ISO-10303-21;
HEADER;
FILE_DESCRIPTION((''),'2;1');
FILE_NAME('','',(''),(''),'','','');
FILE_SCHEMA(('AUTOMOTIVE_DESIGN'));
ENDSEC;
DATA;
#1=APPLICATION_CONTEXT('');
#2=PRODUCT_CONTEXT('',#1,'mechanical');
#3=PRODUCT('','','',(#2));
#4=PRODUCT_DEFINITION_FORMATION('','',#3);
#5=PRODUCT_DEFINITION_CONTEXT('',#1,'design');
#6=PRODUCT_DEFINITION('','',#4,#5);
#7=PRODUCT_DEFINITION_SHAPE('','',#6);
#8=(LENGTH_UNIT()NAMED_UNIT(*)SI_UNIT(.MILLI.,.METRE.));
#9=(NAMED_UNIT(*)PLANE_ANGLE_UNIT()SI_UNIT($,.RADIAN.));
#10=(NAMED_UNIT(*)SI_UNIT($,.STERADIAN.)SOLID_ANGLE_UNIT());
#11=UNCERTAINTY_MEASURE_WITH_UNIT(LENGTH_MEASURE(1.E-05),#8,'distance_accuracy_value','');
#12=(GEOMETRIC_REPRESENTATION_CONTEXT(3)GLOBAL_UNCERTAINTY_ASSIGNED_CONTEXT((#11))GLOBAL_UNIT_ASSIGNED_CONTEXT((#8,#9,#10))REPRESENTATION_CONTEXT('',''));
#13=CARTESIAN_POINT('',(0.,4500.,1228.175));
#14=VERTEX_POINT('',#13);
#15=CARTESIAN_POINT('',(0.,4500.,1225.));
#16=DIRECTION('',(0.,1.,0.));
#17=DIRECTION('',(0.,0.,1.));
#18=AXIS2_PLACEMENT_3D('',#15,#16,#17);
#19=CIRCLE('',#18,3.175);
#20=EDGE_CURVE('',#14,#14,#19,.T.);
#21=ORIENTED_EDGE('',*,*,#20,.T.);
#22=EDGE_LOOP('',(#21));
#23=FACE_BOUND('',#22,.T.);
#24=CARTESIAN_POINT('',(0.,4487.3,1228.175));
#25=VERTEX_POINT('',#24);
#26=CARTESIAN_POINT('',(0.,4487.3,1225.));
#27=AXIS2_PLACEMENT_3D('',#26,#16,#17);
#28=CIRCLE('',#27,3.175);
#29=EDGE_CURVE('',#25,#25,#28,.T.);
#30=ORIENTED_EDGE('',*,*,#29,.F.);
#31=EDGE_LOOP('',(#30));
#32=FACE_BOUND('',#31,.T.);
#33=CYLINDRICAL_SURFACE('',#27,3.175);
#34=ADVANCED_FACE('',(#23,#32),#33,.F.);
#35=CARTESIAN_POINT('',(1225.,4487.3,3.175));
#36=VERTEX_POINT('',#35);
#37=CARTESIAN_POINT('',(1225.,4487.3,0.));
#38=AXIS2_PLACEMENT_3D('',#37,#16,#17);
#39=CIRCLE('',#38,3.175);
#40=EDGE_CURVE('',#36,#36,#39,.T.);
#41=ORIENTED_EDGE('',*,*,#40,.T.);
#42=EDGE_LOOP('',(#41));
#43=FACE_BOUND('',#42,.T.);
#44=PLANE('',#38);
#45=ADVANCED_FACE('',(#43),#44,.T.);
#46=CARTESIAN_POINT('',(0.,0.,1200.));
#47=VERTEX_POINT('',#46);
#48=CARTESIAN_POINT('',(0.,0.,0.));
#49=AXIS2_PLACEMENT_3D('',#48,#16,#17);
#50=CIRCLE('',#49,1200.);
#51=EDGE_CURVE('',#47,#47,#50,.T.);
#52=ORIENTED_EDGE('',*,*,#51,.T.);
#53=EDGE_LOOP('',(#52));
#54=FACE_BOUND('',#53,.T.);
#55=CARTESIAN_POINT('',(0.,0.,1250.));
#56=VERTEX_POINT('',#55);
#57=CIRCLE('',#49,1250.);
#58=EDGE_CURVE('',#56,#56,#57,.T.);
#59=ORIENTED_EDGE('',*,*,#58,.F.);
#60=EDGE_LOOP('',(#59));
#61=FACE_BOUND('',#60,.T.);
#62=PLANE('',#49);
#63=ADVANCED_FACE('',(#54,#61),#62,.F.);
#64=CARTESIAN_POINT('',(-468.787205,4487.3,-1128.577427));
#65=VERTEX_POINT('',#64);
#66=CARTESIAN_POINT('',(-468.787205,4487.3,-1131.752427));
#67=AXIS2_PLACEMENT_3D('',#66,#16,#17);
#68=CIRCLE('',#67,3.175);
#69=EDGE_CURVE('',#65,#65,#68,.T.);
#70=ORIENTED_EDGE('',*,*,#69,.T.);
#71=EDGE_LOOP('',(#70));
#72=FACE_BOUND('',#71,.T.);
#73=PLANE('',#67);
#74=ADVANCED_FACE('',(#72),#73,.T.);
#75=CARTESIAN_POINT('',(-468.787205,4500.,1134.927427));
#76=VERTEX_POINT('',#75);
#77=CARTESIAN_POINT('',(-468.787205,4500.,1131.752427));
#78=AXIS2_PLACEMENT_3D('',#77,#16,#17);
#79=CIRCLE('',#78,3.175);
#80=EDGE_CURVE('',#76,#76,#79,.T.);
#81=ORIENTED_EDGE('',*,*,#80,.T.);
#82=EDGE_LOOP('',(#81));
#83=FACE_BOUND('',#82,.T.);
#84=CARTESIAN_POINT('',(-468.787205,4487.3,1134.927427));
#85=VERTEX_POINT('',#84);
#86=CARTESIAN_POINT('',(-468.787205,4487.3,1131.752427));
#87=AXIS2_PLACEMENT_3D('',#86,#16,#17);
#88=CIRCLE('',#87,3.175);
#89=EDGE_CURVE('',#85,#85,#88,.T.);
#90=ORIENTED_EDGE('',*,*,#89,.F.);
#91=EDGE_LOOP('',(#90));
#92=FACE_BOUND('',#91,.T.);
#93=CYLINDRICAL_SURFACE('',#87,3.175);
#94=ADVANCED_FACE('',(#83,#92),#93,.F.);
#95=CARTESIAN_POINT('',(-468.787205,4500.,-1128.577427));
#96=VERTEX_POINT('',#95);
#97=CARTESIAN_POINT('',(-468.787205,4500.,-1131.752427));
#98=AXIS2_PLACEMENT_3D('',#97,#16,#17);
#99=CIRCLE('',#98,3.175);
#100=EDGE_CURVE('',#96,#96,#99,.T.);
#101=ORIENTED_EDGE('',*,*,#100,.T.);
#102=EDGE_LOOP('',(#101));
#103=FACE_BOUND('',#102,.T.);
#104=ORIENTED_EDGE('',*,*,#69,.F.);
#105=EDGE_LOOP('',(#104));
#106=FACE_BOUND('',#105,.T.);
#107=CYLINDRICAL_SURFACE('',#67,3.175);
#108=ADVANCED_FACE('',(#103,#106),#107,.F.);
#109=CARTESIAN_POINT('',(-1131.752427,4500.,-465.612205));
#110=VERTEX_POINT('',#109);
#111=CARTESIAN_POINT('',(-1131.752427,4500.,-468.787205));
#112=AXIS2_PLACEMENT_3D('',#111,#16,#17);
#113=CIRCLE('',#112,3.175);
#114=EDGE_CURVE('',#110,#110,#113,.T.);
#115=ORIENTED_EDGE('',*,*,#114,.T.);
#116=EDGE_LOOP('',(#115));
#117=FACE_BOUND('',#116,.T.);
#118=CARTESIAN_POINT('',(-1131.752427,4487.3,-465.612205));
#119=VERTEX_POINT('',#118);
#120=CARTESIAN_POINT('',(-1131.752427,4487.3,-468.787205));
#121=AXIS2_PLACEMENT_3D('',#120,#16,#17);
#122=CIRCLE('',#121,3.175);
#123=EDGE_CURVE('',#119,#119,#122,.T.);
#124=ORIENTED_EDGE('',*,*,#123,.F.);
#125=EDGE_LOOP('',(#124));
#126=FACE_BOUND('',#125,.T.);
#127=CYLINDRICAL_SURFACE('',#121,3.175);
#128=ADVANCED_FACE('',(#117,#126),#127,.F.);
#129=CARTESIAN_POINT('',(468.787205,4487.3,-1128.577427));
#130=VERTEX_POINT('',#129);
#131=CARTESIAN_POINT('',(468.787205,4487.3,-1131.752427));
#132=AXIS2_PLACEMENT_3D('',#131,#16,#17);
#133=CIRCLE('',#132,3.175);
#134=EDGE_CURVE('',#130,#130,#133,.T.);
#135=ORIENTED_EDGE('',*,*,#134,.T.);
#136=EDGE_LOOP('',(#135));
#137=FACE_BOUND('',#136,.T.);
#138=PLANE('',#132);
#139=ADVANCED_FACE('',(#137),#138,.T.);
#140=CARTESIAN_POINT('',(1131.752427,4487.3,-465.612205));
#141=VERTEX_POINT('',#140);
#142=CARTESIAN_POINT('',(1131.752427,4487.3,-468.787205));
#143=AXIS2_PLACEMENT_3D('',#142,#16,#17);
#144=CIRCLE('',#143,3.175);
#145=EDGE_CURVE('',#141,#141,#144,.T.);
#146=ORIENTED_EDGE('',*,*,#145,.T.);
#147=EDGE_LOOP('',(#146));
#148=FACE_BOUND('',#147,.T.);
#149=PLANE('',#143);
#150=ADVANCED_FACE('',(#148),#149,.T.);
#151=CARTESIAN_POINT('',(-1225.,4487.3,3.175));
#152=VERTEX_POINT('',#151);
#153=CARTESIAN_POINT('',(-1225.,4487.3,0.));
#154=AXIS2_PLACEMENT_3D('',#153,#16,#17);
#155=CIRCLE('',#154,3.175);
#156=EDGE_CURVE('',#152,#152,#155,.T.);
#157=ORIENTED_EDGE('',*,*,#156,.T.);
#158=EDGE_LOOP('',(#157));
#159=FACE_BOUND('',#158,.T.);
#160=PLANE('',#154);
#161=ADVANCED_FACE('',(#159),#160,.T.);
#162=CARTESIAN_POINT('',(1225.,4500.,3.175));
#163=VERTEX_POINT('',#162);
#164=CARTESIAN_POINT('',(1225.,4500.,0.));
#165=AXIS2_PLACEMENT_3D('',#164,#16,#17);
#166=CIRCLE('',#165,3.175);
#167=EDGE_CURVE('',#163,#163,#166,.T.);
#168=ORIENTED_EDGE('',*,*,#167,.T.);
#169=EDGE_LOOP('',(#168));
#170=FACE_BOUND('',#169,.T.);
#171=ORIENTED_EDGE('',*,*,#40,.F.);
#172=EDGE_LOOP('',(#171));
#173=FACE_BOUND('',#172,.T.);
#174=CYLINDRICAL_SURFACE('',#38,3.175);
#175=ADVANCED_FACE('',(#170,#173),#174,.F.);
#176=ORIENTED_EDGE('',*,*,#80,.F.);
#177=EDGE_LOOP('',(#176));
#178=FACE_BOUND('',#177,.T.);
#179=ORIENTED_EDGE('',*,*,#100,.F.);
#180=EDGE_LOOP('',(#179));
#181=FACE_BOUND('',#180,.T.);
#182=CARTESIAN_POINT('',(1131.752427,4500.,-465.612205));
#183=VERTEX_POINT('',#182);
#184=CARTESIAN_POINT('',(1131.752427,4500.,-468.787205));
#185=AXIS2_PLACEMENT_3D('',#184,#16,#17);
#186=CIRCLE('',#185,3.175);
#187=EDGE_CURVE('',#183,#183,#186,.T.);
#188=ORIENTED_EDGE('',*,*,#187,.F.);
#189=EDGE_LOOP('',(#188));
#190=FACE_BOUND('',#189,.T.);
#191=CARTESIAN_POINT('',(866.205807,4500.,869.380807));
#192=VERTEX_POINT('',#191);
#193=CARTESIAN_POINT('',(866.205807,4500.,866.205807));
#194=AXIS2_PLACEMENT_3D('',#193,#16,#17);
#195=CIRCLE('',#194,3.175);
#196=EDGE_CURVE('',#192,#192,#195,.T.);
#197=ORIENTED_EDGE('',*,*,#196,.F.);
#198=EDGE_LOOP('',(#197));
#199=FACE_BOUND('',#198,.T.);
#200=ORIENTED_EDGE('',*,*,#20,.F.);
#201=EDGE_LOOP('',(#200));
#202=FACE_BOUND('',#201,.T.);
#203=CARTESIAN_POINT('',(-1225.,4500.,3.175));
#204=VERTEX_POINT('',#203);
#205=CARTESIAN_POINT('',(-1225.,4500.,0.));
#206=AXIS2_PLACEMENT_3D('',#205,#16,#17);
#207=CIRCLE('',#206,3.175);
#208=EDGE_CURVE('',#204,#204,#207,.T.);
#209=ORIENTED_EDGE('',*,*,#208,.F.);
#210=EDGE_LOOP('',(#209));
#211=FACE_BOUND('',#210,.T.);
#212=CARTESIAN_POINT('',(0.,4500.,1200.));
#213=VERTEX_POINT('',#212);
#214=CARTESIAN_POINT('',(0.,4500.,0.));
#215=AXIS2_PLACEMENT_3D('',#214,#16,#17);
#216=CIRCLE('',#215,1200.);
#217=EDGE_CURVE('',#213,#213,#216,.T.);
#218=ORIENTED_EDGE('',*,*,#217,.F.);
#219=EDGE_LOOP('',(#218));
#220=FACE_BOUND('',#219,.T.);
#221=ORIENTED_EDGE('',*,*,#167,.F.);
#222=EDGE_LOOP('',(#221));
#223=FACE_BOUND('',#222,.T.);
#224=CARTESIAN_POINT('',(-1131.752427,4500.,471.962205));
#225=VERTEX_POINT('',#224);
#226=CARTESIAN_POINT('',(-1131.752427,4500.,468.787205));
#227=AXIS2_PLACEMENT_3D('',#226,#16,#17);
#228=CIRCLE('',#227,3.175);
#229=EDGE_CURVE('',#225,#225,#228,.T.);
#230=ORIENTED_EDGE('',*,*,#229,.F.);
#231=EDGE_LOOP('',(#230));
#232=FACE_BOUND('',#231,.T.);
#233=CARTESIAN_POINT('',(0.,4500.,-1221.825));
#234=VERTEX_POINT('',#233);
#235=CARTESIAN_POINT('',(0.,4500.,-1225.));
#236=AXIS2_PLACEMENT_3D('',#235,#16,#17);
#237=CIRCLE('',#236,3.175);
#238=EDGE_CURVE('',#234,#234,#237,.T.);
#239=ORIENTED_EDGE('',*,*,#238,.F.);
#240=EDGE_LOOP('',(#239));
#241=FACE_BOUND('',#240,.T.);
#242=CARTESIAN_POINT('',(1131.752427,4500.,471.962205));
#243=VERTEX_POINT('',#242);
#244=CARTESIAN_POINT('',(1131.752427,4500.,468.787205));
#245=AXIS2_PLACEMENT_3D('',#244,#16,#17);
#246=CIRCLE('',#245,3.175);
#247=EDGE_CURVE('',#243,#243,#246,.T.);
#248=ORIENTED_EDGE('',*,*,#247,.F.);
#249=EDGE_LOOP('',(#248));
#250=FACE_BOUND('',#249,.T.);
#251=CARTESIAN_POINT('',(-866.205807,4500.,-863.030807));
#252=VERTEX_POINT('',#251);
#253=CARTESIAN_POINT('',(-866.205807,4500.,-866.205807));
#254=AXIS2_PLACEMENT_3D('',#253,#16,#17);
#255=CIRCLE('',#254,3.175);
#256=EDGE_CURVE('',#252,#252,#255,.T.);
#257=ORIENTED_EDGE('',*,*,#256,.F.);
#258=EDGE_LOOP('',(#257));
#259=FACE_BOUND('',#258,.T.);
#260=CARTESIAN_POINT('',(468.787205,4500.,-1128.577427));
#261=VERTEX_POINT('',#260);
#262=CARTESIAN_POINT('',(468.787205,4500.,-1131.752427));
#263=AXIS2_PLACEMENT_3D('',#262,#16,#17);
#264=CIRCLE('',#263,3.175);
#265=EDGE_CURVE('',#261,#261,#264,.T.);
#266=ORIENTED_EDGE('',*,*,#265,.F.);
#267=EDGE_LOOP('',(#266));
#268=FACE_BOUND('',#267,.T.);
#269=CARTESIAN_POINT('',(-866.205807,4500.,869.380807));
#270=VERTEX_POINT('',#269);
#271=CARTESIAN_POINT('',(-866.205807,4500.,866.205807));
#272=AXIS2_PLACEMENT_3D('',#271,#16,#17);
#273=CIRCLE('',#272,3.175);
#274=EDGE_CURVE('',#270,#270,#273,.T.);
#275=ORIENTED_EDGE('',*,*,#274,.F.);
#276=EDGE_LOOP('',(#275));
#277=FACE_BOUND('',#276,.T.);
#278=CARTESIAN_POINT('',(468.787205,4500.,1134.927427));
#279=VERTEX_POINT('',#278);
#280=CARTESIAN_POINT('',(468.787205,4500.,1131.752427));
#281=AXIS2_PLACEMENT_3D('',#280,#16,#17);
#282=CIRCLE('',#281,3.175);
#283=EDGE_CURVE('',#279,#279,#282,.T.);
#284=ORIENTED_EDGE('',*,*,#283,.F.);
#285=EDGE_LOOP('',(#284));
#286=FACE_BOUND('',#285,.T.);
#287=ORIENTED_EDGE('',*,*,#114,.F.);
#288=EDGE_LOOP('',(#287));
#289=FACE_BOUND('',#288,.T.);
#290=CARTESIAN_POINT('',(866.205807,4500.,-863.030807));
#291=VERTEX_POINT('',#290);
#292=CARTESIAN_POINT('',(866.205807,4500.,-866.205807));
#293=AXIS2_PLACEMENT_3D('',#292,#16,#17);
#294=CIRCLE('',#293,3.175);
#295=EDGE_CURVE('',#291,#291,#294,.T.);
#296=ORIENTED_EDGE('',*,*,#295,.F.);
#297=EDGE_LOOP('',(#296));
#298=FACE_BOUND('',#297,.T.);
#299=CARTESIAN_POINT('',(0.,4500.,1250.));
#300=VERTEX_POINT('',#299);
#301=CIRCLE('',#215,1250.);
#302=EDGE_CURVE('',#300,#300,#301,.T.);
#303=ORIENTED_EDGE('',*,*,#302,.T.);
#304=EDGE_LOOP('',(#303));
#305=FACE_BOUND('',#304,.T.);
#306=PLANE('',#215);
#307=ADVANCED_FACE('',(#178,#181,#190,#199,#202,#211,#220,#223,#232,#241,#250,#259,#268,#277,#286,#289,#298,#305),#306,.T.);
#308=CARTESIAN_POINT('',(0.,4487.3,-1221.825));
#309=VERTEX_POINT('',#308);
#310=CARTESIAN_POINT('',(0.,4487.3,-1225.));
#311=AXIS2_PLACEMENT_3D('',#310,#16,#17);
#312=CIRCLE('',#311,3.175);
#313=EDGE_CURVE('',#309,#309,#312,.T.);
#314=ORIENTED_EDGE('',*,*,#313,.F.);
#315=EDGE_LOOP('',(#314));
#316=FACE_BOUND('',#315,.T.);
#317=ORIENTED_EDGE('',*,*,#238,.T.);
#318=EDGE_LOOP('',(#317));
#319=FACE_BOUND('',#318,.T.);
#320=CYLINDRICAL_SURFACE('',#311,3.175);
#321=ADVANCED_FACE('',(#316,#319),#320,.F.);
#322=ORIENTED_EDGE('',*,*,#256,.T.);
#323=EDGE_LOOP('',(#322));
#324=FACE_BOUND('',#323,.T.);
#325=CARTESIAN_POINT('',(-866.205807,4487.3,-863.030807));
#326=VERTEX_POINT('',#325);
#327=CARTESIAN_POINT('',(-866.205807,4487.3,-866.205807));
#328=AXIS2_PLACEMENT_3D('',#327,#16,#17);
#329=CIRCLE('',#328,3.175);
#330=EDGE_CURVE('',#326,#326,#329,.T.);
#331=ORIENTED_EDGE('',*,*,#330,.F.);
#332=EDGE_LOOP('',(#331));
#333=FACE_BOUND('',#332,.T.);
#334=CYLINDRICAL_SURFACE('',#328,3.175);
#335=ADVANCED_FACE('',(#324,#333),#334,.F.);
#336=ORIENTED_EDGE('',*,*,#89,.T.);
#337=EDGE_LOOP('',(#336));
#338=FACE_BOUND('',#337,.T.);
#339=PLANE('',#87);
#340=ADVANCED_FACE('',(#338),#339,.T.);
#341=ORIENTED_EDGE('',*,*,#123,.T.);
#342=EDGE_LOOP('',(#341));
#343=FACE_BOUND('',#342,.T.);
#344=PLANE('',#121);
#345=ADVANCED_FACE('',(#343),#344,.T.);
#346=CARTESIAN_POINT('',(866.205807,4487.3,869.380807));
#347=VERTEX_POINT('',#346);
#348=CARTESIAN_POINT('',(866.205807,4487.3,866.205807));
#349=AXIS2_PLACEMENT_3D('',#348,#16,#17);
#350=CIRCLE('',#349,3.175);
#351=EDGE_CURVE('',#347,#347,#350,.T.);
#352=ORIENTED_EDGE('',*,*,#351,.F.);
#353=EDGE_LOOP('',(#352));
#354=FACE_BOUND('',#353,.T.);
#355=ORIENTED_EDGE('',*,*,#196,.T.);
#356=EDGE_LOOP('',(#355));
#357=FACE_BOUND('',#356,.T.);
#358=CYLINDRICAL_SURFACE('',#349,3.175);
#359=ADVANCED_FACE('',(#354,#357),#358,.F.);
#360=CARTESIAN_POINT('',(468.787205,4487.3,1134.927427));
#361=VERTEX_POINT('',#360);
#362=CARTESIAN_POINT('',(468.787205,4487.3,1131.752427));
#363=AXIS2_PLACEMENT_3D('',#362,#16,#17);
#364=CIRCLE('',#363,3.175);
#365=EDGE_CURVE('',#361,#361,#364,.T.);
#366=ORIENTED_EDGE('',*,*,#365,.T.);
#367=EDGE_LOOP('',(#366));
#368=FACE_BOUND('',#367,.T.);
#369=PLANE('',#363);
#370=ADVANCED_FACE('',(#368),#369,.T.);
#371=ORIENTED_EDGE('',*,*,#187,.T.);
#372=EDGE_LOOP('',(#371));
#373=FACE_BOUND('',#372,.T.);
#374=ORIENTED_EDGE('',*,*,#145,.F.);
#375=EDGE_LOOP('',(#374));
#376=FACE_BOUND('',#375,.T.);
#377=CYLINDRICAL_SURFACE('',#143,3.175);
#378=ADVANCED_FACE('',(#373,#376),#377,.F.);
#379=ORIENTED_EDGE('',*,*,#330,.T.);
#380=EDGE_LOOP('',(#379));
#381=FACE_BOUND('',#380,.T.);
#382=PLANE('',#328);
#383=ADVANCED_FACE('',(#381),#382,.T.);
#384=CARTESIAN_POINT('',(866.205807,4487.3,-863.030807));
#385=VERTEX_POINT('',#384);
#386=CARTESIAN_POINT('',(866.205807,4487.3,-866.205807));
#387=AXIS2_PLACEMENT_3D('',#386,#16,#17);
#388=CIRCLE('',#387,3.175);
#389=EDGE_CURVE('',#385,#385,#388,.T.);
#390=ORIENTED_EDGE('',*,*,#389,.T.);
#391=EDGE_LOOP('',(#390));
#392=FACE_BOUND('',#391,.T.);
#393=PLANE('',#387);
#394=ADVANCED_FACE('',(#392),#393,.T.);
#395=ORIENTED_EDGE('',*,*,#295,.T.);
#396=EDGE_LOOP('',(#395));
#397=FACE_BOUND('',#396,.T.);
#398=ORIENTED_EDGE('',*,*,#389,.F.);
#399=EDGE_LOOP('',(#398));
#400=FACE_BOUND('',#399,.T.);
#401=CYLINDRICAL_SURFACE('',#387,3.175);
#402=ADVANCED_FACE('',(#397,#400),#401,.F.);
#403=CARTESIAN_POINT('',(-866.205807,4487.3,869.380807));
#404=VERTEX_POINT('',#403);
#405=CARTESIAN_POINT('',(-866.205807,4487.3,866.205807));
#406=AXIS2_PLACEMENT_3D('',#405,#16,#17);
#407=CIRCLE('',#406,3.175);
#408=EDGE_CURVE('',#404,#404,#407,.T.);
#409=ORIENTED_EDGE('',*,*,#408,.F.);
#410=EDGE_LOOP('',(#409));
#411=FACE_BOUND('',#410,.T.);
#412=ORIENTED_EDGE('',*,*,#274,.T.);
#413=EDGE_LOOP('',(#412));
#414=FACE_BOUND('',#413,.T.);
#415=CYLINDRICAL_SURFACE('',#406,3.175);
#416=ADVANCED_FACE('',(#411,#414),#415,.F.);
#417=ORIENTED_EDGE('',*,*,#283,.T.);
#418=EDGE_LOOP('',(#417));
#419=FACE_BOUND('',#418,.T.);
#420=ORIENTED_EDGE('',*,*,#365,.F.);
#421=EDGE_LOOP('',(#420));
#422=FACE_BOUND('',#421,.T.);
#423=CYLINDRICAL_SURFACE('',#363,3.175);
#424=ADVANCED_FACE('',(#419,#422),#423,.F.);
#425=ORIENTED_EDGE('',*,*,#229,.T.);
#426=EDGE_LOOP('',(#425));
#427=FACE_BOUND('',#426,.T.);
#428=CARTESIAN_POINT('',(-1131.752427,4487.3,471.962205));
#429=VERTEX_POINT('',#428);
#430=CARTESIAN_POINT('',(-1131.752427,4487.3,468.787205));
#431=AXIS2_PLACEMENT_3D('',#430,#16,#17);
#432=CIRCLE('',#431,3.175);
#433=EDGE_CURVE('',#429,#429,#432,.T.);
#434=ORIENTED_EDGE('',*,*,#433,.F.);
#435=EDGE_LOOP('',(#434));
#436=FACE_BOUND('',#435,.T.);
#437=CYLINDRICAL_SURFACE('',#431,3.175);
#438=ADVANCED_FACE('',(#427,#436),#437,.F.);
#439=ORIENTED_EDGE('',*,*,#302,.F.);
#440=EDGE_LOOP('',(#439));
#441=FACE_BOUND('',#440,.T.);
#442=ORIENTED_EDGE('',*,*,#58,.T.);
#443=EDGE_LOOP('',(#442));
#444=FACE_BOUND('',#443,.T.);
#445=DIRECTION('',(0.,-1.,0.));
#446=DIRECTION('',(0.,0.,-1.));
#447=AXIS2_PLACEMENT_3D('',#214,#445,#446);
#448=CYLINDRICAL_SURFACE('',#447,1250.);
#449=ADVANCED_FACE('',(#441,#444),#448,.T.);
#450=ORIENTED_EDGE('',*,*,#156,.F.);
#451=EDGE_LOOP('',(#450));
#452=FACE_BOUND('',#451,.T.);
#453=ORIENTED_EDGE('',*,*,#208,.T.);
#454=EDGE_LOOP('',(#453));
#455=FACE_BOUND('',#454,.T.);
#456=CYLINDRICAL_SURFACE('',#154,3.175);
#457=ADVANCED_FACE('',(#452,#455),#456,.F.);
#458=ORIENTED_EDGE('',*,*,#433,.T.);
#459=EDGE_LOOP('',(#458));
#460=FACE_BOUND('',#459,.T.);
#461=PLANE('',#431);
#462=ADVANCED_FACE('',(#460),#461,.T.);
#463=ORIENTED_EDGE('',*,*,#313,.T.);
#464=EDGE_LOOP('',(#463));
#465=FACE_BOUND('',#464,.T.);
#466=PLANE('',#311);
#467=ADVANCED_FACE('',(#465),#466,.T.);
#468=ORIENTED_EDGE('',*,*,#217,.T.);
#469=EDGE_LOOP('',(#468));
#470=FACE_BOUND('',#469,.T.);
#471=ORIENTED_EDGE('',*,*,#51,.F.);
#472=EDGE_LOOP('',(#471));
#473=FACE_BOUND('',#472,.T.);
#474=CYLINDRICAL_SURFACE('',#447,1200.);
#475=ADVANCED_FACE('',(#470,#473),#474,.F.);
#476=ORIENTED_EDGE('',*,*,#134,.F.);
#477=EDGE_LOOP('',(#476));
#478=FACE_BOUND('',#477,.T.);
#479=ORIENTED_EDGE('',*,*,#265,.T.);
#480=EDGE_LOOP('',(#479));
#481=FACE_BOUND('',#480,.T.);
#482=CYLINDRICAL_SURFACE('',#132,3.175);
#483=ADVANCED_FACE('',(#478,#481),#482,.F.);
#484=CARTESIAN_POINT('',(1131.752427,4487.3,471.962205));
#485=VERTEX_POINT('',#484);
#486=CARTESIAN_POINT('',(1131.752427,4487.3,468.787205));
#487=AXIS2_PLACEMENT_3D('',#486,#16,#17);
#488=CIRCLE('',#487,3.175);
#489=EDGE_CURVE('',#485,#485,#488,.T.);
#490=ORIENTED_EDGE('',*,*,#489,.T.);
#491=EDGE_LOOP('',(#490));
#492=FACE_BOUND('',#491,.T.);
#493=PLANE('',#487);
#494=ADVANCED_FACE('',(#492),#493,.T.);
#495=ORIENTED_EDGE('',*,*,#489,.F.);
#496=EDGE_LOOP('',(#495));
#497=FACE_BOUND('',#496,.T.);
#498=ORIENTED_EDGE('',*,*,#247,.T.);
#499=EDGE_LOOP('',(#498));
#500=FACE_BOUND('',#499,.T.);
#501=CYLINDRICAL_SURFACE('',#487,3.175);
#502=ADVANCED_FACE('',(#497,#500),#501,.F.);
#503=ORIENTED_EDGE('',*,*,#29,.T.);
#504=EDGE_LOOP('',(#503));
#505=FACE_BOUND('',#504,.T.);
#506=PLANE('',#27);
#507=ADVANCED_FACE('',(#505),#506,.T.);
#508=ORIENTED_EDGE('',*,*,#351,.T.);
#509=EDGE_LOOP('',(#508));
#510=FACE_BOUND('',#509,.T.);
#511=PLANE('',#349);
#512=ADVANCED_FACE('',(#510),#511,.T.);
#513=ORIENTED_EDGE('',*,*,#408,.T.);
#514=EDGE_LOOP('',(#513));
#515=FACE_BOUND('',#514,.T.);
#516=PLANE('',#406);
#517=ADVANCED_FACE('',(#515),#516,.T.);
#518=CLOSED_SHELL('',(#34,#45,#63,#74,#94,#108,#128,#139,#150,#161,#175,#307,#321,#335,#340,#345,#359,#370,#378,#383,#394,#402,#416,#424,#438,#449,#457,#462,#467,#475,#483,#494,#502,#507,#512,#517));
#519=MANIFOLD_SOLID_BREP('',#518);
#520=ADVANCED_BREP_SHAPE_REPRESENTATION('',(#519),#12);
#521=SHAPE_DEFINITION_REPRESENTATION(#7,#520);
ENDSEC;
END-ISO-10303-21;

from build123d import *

# Parameters (mm, degrees)
SKETCH1_R           = 1250
SKETCH1_R_2         = 1200.000000046
BOSS_EXTRUDE1_DEPTH = 4500
SKETCH2_R           = 3.175
CUT_EXTRUDE1_DEPTH  = 12.7


with BuildPart() as part:
    # Sketch1 → Boss-Extrude1 (new body)
    with BuildSketch(Plane(origin=(0, 0, 0), x_dir=(1, 0, 0), z_dir=(0, 1, 0))):
        Circle(SKETCH1_R)
        Circle(SKETCH1_R_2, mode=Mode.SUBTRACT)
    extrude(amount=BOSS_EXTRUDE1_DEPTH)

    # Sketch2 → Cut-Extrude1 (cut)
    with BuildSketch(Plane(origin=(0, 4500, 0), x_dir=(1, 0, 0), z_dir=(0, 1, 0))):
        with Locations((-1225, 0)):
            Circle(SKETCH2_R)
        with Locations((-1131.752427326, 468.787204647)):
            Circle(SKETCH2_R)
        with Locations((-866.205806954, 866.205806954)):
            Circle(SKETCH2_R)
        with Locations((-468.787204647, 1131.752427326)):
            Circle(SKETCH2_R)
        with Locations((0, 1225)):
            Circle(SKETCH2_R)
        with Locations((468.787204647, 1131.752427326)):
            Circle(SKETCH2_R)
        with Locations((866.205806954, 866.205806954)):
            Circle(SKETCH2_R)
        with Locations((1131.752427326, 468.787204647)):
            Circle(SKETCH2_R)
        with Locations((1225, 0)):
            Circle(SKETCH2_R)
        with Locations((1131.752427326, -468.787204647)):
            Circle(SKETCH2_R)
        with Locations((866.205806954, -866.205806954)):
            Circle(SKETCH2_R)
        with Locations((468.787204647, -1131.752427326)):
            Circle(SKETCH2_R)
        with Locations((0, -1225)):
            Circle(SKETCH2_R)
        with Locations((-468.787204647, -1131.752427326)):
            Circle(SKETCH2_R)
        with Locations((-866.205806954, -866.205806954)):
            Circle(SKETCH2_R)
        with Locations((-1131.752427326, -468.787204647)):
            Circle(SKETCH2_R)
    extrude(amount=-CUT_EXTRUDE1_DEPTH, mode=Mode.SUBTRACT)


solid = part.part
